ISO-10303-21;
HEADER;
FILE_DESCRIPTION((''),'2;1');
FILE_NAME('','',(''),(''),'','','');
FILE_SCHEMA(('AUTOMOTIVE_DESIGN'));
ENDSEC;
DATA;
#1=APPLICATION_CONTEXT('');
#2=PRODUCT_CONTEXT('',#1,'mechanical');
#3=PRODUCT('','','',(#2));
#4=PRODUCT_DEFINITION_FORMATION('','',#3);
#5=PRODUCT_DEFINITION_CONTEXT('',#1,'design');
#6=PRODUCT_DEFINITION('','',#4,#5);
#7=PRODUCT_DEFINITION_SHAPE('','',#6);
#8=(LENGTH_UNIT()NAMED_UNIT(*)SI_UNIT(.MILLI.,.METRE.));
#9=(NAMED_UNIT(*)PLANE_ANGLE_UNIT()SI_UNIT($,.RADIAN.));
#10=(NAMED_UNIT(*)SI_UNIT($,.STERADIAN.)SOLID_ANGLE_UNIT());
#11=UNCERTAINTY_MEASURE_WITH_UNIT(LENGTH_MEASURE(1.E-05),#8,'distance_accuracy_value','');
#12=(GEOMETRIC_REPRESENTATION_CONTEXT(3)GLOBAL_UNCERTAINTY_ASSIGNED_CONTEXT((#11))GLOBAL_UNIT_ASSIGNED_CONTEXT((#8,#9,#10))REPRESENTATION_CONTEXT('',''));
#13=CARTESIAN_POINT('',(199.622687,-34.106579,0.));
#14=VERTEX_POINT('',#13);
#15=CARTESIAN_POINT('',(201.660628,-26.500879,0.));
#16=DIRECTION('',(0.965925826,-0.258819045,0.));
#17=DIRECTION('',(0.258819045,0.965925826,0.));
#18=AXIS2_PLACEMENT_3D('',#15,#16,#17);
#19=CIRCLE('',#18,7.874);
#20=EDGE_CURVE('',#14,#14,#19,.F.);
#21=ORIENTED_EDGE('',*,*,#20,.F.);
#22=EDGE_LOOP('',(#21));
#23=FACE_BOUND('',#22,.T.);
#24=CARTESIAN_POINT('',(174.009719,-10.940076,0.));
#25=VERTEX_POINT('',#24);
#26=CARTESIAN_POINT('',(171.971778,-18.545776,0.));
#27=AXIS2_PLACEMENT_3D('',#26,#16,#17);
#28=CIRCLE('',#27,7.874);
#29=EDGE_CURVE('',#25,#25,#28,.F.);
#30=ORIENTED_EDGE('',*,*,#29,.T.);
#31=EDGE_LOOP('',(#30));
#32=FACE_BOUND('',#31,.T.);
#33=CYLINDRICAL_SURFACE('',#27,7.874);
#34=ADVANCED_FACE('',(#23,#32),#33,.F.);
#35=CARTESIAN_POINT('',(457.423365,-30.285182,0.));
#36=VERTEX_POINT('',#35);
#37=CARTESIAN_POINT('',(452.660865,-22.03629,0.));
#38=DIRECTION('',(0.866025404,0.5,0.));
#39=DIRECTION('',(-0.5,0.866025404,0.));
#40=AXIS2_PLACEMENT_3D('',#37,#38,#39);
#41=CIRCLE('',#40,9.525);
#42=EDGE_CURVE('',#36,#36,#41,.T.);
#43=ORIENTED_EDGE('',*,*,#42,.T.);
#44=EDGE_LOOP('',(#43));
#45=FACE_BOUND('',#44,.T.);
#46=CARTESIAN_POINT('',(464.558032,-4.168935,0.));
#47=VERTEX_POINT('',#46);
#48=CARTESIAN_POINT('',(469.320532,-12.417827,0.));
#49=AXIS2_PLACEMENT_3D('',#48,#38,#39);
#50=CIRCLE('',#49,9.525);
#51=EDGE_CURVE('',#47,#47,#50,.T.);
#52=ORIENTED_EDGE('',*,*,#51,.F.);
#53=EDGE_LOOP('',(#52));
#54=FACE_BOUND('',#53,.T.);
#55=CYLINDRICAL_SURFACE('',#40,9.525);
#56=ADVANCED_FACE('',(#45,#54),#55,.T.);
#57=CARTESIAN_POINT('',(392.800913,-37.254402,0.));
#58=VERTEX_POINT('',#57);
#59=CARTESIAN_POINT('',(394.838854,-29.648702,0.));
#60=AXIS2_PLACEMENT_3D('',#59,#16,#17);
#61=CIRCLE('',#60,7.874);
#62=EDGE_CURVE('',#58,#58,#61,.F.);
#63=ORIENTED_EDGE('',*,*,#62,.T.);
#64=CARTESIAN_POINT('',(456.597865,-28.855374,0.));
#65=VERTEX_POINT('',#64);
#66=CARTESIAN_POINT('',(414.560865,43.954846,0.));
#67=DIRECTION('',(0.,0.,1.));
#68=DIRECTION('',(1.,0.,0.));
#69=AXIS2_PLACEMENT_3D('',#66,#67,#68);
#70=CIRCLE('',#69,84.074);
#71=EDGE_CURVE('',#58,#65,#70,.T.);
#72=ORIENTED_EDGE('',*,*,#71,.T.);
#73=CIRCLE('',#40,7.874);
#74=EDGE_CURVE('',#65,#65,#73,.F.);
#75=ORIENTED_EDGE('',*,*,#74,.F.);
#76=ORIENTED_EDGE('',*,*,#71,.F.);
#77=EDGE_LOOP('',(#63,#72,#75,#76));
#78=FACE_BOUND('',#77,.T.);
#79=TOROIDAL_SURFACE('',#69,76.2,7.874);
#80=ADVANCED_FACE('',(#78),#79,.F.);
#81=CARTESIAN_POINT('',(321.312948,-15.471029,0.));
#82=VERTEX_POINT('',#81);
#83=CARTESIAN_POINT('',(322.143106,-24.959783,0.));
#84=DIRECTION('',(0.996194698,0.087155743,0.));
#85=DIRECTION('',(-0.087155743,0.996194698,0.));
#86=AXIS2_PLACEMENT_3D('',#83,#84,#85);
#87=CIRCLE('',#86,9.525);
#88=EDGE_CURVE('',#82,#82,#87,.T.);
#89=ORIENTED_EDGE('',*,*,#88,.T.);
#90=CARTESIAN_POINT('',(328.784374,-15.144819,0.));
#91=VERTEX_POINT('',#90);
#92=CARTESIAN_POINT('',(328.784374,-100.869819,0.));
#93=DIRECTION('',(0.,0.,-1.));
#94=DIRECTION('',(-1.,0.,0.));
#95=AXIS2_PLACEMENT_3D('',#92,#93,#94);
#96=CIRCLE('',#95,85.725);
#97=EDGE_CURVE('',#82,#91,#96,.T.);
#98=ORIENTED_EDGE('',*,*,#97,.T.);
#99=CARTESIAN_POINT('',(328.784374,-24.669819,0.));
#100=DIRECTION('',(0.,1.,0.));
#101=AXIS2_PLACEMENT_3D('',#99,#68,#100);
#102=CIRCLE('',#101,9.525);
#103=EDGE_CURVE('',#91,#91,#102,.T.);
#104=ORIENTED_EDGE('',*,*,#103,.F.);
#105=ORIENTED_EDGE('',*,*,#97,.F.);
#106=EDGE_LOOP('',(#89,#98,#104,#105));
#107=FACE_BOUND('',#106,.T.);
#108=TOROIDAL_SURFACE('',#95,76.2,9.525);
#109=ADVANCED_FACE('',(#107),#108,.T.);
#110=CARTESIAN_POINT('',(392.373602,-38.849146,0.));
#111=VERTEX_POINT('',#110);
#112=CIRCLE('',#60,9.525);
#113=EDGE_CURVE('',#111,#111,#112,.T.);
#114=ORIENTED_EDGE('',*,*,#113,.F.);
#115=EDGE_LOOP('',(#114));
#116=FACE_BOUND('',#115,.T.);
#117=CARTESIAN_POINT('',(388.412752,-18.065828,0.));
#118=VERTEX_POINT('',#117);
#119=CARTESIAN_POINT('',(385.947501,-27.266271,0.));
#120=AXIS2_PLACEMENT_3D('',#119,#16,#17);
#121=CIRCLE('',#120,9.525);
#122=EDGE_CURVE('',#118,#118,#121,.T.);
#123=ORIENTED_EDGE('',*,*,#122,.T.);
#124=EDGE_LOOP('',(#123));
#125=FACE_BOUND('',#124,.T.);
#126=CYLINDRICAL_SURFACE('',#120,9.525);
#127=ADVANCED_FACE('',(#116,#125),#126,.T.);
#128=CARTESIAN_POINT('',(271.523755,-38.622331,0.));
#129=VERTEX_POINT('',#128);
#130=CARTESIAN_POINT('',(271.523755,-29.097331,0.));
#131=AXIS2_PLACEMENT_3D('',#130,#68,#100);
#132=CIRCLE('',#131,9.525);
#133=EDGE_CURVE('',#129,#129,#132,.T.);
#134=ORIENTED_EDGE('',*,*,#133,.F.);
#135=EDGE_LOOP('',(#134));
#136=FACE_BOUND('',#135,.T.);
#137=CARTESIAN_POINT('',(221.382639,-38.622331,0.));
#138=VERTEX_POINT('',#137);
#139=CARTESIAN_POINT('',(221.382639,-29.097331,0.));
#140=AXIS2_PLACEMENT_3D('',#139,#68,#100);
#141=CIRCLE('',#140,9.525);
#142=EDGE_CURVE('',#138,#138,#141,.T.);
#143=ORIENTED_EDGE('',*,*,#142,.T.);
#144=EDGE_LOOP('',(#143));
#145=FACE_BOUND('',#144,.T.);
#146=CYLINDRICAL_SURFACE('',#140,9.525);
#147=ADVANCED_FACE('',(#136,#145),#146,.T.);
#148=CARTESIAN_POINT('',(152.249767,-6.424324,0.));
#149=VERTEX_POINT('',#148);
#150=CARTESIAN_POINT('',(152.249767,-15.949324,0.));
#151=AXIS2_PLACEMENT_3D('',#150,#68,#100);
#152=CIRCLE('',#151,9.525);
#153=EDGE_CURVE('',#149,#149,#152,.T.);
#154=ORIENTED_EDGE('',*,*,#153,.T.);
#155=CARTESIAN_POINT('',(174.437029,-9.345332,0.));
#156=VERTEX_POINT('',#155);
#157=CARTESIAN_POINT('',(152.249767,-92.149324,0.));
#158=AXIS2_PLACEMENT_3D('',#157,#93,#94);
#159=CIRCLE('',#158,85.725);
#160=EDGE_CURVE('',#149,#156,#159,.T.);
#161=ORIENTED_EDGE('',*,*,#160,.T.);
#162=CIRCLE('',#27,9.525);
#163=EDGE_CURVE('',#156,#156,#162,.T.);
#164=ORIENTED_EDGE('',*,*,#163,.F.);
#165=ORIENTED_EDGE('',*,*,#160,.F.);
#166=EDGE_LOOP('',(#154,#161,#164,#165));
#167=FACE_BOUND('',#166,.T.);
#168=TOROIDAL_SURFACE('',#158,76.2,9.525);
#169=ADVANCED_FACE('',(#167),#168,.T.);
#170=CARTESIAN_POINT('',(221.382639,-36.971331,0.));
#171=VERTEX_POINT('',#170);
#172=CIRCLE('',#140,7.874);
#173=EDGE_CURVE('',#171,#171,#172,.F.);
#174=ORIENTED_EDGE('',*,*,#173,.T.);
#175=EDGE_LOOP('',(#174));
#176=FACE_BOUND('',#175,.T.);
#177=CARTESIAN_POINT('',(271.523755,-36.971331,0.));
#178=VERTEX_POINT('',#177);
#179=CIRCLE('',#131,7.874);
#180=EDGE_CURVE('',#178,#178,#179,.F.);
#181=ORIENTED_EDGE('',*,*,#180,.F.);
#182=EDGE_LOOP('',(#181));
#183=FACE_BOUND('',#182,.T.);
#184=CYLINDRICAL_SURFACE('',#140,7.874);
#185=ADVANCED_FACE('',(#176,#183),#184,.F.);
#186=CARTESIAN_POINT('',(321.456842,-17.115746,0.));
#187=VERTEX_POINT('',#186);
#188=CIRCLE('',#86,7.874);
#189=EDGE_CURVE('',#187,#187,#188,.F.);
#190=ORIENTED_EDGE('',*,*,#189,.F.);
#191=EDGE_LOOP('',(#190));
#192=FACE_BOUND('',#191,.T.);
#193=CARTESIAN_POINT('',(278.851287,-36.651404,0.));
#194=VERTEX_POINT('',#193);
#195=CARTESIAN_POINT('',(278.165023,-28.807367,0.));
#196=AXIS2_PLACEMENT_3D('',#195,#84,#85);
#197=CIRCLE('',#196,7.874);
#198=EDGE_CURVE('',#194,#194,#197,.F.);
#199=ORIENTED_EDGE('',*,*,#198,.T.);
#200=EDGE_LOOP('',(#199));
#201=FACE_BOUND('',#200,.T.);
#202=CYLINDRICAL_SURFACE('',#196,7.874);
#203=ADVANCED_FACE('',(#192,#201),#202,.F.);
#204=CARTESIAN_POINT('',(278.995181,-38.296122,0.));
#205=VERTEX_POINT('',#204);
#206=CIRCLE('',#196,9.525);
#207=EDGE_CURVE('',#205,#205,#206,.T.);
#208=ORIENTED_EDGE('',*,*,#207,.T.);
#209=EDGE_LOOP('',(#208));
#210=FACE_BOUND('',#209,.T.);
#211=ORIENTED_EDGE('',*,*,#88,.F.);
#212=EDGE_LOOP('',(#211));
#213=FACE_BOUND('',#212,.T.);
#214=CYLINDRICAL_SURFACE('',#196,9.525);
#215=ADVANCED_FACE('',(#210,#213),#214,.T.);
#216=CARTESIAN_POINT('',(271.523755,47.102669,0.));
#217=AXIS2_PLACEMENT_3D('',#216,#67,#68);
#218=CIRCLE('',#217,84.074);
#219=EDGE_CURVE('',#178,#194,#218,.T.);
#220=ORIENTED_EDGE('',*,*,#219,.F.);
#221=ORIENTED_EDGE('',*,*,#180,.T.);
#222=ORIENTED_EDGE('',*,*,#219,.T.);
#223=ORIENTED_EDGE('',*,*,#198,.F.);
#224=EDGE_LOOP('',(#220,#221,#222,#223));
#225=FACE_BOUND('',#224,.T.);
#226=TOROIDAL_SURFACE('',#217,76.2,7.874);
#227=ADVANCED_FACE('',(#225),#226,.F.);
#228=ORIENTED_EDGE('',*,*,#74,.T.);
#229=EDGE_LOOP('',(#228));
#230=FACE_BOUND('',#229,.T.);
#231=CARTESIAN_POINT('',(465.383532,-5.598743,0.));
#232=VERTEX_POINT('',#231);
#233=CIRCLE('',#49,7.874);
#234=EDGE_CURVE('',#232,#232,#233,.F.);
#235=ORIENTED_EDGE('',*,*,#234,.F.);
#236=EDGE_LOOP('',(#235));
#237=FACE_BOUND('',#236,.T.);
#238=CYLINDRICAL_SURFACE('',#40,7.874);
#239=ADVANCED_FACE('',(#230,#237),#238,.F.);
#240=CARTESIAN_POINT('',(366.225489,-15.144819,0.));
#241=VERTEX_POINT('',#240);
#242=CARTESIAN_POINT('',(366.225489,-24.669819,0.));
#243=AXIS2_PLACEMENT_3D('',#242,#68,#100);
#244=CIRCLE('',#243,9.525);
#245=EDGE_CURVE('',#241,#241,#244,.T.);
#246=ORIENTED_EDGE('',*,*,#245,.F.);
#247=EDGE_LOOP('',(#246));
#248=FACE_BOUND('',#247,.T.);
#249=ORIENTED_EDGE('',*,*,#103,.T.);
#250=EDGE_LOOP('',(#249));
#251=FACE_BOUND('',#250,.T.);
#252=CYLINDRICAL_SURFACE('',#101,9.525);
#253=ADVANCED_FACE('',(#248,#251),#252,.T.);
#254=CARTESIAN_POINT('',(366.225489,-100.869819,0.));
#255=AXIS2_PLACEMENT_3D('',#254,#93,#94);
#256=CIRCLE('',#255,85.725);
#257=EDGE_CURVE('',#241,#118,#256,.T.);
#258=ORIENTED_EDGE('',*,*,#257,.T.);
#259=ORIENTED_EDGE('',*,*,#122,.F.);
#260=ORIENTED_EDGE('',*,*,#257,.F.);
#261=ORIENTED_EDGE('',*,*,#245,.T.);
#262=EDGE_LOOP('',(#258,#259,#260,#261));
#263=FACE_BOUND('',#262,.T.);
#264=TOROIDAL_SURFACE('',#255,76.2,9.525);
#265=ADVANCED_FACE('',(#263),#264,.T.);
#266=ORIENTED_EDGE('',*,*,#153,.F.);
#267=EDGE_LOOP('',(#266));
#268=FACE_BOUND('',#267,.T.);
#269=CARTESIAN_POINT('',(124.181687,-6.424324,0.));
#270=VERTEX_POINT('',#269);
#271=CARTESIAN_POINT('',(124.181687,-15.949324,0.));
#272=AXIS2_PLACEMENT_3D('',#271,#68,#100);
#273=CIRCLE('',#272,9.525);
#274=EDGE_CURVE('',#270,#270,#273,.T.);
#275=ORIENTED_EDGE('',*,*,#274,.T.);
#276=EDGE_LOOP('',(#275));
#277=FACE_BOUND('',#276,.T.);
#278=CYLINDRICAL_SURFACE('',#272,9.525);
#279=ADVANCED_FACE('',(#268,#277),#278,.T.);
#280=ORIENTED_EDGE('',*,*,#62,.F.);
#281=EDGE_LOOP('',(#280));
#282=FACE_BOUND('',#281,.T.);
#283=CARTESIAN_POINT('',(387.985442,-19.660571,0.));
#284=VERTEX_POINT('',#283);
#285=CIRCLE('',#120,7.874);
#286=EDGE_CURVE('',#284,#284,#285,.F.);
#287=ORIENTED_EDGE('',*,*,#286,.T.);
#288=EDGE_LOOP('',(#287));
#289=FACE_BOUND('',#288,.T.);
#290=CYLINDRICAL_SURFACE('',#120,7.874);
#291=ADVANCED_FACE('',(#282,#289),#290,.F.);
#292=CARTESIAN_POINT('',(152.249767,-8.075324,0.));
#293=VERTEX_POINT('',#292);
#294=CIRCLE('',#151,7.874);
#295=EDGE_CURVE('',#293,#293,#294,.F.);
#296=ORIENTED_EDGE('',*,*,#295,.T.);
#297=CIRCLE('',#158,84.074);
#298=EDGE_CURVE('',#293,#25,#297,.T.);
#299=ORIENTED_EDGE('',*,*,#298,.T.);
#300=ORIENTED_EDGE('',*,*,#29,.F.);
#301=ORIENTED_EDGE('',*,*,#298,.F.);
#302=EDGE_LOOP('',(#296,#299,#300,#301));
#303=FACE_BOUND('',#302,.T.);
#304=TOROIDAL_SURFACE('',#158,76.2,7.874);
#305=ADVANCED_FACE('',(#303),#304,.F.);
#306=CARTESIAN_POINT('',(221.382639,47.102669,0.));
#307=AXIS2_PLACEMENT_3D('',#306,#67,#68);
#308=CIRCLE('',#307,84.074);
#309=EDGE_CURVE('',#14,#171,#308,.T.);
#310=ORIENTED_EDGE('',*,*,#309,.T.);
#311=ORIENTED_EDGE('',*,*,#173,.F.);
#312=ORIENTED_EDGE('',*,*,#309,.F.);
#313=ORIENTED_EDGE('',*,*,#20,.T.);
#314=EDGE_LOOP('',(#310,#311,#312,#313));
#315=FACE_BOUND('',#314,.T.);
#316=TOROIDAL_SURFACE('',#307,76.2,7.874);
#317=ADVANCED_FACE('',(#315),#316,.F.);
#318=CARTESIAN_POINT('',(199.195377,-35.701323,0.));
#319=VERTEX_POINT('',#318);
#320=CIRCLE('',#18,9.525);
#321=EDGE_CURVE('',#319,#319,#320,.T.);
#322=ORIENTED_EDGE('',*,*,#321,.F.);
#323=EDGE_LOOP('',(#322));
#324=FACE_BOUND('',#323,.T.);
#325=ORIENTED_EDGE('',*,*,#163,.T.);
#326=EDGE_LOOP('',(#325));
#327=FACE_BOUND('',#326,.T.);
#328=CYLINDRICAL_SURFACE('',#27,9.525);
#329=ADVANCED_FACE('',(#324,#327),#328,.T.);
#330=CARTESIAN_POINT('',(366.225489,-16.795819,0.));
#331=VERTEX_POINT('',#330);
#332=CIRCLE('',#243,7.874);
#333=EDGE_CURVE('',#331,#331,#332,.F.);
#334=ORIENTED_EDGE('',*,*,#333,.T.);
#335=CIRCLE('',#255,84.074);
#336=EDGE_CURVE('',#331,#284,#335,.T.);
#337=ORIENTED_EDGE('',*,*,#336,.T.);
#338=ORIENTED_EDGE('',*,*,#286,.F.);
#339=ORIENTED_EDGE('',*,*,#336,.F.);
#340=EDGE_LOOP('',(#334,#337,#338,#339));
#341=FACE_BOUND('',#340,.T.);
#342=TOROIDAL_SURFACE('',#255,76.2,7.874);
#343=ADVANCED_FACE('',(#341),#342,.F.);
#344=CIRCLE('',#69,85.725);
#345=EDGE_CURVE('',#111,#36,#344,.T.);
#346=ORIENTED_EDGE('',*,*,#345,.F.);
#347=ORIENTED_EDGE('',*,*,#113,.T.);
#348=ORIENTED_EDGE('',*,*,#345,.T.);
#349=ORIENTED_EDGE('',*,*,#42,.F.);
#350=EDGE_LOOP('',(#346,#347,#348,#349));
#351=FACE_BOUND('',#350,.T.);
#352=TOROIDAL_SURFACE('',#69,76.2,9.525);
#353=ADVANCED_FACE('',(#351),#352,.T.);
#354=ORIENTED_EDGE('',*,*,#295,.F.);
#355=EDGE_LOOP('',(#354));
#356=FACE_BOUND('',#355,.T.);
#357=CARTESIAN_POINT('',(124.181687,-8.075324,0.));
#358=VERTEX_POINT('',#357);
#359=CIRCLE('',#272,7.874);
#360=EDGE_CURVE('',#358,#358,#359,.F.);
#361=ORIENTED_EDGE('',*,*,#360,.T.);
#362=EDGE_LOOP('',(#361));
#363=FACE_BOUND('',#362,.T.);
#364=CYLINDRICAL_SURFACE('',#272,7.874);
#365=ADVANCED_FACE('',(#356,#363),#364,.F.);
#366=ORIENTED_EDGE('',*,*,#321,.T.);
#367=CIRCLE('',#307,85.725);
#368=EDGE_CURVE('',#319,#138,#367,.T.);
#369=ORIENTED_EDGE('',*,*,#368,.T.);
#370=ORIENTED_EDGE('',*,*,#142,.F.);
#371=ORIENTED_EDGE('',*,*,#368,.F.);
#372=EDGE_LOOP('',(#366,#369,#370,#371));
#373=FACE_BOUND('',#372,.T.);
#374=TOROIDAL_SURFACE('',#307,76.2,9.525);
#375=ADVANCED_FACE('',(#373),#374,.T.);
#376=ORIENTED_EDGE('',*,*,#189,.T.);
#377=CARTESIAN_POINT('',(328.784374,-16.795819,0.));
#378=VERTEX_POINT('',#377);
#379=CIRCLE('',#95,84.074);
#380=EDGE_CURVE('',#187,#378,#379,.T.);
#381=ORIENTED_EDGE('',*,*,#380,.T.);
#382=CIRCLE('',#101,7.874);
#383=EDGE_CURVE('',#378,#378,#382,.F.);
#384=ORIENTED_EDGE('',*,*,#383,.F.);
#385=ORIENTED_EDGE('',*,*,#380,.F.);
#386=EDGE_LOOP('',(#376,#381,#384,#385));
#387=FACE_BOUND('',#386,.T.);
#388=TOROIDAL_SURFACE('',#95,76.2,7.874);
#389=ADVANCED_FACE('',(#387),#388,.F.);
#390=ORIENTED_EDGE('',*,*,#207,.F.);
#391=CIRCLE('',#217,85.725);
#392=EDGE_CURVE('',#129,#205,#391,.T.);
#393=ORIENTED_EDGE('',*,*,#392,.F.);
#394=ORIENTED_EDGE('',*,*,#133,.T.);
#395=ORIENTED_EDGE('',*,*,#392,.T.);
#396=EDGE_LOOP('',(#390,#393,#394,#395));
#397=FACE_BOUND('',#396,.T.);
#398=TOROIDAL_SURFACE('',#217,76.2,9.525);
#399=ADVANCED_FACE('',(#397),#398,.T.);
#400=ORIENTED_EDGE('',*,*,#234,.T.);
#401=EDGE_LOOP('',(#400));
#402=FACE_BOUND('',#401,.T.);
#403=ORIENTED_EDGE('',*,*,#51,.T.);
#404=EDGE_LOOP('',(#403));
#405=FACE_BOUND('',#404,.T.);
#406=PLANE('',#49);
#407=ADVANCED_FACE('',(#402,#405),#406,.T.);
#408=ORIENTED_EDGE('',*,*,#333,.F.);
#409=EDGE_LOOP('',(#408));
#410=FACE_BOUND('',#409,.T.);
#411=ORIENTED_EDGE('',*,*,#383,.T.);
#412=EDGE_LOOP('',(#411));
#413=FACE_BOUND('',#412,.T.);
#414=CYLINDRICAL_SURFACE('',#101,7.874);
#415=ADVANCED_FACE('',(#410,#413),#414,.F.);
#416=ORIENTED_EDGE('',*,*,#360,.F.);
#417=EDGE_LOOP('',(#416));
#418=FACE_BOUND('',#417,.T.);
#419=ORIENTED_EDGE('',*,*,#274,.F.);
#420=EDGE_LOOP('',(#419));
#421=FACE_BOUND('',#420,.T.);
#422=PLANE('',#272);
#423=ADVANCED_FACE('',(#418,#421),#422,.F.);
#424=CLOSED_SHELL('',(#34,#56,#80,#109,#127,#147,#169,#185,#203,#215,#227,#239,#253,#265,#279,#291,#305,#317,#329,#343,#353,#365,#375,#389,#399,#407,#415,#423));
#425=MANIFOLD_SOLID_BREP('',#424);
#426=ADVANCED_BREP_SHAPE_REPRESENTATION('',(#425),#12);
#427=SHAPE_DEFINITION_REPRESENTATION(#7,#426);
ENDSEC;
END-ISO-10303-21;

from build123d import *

# Parameters (mm, degrees)
SKETCH2_R   = 9.525
SKETCH2_R_2 = 7.874


with BuildPart() as part:
    # Sweep1: sweep along a path in Sketch1
    with BuildLine(Plane.XY) as sweep1_path:
        Line((124.181687085, -15.949323606), (152.249766769, -15.949323606))
        ThreePointArc((152.249766769, -15.949323606), (162.195862616, -16.601225169), (171.971778005, -18.545775643))
        Line((171.971778005, -18.545775643), (201.66062814, -26.50087906))
        ThreePointArc((201.66062814, -26.50087906), (211.436543529, -28.445429534), (221.382639376, -29.097331097))
        Line((221.382639376, -29.097331097), (271.523755211, -29.097331097))
        ThreePointArc((271.523755211, -29.097331097), (274.847552528, -29.024805582), (278.165022808, -28.807367092))
        Line((278.165022808, -28.807367092), (322.143105976, -24.959783371))
        ThreePointArc((322.143105976, -24.959783371), (325.460576256, -24.742344881), (328.784373573, -24.669819366))
        Line((328.784373573, -24.669819366), (366.225489407, -24.669819366))
        ThreePointArc((366.225489407, -24.669819366), (376.171585254, -25.321720929), (385.947500644, -27.266271402))
        Line((385.947500644, -27.266271402), (394.838853894, -29.648702325))
        ThreePointArc((394.838853894, -29.648702325), (424.506960978, -31.593252799), (452.66086513, -22.03629013))
        Line((452.66086513, -22.03629013), (469.320532211, -12.417826857))
    # Sketch2 → Sweep1 (sweep)
    with BuildSketch(Plane(origin=(124.181687085, -15.949323606, 0), x_dir=(0, 0, -1), z_dir=(1, 0, 0))):
        Circle(SKETCH2_R)
        Circle(SKETCH2_R_2, mode=Mode.SUBTRACT)
    sweep(path=sweep1_path.line)


solid = part.part
